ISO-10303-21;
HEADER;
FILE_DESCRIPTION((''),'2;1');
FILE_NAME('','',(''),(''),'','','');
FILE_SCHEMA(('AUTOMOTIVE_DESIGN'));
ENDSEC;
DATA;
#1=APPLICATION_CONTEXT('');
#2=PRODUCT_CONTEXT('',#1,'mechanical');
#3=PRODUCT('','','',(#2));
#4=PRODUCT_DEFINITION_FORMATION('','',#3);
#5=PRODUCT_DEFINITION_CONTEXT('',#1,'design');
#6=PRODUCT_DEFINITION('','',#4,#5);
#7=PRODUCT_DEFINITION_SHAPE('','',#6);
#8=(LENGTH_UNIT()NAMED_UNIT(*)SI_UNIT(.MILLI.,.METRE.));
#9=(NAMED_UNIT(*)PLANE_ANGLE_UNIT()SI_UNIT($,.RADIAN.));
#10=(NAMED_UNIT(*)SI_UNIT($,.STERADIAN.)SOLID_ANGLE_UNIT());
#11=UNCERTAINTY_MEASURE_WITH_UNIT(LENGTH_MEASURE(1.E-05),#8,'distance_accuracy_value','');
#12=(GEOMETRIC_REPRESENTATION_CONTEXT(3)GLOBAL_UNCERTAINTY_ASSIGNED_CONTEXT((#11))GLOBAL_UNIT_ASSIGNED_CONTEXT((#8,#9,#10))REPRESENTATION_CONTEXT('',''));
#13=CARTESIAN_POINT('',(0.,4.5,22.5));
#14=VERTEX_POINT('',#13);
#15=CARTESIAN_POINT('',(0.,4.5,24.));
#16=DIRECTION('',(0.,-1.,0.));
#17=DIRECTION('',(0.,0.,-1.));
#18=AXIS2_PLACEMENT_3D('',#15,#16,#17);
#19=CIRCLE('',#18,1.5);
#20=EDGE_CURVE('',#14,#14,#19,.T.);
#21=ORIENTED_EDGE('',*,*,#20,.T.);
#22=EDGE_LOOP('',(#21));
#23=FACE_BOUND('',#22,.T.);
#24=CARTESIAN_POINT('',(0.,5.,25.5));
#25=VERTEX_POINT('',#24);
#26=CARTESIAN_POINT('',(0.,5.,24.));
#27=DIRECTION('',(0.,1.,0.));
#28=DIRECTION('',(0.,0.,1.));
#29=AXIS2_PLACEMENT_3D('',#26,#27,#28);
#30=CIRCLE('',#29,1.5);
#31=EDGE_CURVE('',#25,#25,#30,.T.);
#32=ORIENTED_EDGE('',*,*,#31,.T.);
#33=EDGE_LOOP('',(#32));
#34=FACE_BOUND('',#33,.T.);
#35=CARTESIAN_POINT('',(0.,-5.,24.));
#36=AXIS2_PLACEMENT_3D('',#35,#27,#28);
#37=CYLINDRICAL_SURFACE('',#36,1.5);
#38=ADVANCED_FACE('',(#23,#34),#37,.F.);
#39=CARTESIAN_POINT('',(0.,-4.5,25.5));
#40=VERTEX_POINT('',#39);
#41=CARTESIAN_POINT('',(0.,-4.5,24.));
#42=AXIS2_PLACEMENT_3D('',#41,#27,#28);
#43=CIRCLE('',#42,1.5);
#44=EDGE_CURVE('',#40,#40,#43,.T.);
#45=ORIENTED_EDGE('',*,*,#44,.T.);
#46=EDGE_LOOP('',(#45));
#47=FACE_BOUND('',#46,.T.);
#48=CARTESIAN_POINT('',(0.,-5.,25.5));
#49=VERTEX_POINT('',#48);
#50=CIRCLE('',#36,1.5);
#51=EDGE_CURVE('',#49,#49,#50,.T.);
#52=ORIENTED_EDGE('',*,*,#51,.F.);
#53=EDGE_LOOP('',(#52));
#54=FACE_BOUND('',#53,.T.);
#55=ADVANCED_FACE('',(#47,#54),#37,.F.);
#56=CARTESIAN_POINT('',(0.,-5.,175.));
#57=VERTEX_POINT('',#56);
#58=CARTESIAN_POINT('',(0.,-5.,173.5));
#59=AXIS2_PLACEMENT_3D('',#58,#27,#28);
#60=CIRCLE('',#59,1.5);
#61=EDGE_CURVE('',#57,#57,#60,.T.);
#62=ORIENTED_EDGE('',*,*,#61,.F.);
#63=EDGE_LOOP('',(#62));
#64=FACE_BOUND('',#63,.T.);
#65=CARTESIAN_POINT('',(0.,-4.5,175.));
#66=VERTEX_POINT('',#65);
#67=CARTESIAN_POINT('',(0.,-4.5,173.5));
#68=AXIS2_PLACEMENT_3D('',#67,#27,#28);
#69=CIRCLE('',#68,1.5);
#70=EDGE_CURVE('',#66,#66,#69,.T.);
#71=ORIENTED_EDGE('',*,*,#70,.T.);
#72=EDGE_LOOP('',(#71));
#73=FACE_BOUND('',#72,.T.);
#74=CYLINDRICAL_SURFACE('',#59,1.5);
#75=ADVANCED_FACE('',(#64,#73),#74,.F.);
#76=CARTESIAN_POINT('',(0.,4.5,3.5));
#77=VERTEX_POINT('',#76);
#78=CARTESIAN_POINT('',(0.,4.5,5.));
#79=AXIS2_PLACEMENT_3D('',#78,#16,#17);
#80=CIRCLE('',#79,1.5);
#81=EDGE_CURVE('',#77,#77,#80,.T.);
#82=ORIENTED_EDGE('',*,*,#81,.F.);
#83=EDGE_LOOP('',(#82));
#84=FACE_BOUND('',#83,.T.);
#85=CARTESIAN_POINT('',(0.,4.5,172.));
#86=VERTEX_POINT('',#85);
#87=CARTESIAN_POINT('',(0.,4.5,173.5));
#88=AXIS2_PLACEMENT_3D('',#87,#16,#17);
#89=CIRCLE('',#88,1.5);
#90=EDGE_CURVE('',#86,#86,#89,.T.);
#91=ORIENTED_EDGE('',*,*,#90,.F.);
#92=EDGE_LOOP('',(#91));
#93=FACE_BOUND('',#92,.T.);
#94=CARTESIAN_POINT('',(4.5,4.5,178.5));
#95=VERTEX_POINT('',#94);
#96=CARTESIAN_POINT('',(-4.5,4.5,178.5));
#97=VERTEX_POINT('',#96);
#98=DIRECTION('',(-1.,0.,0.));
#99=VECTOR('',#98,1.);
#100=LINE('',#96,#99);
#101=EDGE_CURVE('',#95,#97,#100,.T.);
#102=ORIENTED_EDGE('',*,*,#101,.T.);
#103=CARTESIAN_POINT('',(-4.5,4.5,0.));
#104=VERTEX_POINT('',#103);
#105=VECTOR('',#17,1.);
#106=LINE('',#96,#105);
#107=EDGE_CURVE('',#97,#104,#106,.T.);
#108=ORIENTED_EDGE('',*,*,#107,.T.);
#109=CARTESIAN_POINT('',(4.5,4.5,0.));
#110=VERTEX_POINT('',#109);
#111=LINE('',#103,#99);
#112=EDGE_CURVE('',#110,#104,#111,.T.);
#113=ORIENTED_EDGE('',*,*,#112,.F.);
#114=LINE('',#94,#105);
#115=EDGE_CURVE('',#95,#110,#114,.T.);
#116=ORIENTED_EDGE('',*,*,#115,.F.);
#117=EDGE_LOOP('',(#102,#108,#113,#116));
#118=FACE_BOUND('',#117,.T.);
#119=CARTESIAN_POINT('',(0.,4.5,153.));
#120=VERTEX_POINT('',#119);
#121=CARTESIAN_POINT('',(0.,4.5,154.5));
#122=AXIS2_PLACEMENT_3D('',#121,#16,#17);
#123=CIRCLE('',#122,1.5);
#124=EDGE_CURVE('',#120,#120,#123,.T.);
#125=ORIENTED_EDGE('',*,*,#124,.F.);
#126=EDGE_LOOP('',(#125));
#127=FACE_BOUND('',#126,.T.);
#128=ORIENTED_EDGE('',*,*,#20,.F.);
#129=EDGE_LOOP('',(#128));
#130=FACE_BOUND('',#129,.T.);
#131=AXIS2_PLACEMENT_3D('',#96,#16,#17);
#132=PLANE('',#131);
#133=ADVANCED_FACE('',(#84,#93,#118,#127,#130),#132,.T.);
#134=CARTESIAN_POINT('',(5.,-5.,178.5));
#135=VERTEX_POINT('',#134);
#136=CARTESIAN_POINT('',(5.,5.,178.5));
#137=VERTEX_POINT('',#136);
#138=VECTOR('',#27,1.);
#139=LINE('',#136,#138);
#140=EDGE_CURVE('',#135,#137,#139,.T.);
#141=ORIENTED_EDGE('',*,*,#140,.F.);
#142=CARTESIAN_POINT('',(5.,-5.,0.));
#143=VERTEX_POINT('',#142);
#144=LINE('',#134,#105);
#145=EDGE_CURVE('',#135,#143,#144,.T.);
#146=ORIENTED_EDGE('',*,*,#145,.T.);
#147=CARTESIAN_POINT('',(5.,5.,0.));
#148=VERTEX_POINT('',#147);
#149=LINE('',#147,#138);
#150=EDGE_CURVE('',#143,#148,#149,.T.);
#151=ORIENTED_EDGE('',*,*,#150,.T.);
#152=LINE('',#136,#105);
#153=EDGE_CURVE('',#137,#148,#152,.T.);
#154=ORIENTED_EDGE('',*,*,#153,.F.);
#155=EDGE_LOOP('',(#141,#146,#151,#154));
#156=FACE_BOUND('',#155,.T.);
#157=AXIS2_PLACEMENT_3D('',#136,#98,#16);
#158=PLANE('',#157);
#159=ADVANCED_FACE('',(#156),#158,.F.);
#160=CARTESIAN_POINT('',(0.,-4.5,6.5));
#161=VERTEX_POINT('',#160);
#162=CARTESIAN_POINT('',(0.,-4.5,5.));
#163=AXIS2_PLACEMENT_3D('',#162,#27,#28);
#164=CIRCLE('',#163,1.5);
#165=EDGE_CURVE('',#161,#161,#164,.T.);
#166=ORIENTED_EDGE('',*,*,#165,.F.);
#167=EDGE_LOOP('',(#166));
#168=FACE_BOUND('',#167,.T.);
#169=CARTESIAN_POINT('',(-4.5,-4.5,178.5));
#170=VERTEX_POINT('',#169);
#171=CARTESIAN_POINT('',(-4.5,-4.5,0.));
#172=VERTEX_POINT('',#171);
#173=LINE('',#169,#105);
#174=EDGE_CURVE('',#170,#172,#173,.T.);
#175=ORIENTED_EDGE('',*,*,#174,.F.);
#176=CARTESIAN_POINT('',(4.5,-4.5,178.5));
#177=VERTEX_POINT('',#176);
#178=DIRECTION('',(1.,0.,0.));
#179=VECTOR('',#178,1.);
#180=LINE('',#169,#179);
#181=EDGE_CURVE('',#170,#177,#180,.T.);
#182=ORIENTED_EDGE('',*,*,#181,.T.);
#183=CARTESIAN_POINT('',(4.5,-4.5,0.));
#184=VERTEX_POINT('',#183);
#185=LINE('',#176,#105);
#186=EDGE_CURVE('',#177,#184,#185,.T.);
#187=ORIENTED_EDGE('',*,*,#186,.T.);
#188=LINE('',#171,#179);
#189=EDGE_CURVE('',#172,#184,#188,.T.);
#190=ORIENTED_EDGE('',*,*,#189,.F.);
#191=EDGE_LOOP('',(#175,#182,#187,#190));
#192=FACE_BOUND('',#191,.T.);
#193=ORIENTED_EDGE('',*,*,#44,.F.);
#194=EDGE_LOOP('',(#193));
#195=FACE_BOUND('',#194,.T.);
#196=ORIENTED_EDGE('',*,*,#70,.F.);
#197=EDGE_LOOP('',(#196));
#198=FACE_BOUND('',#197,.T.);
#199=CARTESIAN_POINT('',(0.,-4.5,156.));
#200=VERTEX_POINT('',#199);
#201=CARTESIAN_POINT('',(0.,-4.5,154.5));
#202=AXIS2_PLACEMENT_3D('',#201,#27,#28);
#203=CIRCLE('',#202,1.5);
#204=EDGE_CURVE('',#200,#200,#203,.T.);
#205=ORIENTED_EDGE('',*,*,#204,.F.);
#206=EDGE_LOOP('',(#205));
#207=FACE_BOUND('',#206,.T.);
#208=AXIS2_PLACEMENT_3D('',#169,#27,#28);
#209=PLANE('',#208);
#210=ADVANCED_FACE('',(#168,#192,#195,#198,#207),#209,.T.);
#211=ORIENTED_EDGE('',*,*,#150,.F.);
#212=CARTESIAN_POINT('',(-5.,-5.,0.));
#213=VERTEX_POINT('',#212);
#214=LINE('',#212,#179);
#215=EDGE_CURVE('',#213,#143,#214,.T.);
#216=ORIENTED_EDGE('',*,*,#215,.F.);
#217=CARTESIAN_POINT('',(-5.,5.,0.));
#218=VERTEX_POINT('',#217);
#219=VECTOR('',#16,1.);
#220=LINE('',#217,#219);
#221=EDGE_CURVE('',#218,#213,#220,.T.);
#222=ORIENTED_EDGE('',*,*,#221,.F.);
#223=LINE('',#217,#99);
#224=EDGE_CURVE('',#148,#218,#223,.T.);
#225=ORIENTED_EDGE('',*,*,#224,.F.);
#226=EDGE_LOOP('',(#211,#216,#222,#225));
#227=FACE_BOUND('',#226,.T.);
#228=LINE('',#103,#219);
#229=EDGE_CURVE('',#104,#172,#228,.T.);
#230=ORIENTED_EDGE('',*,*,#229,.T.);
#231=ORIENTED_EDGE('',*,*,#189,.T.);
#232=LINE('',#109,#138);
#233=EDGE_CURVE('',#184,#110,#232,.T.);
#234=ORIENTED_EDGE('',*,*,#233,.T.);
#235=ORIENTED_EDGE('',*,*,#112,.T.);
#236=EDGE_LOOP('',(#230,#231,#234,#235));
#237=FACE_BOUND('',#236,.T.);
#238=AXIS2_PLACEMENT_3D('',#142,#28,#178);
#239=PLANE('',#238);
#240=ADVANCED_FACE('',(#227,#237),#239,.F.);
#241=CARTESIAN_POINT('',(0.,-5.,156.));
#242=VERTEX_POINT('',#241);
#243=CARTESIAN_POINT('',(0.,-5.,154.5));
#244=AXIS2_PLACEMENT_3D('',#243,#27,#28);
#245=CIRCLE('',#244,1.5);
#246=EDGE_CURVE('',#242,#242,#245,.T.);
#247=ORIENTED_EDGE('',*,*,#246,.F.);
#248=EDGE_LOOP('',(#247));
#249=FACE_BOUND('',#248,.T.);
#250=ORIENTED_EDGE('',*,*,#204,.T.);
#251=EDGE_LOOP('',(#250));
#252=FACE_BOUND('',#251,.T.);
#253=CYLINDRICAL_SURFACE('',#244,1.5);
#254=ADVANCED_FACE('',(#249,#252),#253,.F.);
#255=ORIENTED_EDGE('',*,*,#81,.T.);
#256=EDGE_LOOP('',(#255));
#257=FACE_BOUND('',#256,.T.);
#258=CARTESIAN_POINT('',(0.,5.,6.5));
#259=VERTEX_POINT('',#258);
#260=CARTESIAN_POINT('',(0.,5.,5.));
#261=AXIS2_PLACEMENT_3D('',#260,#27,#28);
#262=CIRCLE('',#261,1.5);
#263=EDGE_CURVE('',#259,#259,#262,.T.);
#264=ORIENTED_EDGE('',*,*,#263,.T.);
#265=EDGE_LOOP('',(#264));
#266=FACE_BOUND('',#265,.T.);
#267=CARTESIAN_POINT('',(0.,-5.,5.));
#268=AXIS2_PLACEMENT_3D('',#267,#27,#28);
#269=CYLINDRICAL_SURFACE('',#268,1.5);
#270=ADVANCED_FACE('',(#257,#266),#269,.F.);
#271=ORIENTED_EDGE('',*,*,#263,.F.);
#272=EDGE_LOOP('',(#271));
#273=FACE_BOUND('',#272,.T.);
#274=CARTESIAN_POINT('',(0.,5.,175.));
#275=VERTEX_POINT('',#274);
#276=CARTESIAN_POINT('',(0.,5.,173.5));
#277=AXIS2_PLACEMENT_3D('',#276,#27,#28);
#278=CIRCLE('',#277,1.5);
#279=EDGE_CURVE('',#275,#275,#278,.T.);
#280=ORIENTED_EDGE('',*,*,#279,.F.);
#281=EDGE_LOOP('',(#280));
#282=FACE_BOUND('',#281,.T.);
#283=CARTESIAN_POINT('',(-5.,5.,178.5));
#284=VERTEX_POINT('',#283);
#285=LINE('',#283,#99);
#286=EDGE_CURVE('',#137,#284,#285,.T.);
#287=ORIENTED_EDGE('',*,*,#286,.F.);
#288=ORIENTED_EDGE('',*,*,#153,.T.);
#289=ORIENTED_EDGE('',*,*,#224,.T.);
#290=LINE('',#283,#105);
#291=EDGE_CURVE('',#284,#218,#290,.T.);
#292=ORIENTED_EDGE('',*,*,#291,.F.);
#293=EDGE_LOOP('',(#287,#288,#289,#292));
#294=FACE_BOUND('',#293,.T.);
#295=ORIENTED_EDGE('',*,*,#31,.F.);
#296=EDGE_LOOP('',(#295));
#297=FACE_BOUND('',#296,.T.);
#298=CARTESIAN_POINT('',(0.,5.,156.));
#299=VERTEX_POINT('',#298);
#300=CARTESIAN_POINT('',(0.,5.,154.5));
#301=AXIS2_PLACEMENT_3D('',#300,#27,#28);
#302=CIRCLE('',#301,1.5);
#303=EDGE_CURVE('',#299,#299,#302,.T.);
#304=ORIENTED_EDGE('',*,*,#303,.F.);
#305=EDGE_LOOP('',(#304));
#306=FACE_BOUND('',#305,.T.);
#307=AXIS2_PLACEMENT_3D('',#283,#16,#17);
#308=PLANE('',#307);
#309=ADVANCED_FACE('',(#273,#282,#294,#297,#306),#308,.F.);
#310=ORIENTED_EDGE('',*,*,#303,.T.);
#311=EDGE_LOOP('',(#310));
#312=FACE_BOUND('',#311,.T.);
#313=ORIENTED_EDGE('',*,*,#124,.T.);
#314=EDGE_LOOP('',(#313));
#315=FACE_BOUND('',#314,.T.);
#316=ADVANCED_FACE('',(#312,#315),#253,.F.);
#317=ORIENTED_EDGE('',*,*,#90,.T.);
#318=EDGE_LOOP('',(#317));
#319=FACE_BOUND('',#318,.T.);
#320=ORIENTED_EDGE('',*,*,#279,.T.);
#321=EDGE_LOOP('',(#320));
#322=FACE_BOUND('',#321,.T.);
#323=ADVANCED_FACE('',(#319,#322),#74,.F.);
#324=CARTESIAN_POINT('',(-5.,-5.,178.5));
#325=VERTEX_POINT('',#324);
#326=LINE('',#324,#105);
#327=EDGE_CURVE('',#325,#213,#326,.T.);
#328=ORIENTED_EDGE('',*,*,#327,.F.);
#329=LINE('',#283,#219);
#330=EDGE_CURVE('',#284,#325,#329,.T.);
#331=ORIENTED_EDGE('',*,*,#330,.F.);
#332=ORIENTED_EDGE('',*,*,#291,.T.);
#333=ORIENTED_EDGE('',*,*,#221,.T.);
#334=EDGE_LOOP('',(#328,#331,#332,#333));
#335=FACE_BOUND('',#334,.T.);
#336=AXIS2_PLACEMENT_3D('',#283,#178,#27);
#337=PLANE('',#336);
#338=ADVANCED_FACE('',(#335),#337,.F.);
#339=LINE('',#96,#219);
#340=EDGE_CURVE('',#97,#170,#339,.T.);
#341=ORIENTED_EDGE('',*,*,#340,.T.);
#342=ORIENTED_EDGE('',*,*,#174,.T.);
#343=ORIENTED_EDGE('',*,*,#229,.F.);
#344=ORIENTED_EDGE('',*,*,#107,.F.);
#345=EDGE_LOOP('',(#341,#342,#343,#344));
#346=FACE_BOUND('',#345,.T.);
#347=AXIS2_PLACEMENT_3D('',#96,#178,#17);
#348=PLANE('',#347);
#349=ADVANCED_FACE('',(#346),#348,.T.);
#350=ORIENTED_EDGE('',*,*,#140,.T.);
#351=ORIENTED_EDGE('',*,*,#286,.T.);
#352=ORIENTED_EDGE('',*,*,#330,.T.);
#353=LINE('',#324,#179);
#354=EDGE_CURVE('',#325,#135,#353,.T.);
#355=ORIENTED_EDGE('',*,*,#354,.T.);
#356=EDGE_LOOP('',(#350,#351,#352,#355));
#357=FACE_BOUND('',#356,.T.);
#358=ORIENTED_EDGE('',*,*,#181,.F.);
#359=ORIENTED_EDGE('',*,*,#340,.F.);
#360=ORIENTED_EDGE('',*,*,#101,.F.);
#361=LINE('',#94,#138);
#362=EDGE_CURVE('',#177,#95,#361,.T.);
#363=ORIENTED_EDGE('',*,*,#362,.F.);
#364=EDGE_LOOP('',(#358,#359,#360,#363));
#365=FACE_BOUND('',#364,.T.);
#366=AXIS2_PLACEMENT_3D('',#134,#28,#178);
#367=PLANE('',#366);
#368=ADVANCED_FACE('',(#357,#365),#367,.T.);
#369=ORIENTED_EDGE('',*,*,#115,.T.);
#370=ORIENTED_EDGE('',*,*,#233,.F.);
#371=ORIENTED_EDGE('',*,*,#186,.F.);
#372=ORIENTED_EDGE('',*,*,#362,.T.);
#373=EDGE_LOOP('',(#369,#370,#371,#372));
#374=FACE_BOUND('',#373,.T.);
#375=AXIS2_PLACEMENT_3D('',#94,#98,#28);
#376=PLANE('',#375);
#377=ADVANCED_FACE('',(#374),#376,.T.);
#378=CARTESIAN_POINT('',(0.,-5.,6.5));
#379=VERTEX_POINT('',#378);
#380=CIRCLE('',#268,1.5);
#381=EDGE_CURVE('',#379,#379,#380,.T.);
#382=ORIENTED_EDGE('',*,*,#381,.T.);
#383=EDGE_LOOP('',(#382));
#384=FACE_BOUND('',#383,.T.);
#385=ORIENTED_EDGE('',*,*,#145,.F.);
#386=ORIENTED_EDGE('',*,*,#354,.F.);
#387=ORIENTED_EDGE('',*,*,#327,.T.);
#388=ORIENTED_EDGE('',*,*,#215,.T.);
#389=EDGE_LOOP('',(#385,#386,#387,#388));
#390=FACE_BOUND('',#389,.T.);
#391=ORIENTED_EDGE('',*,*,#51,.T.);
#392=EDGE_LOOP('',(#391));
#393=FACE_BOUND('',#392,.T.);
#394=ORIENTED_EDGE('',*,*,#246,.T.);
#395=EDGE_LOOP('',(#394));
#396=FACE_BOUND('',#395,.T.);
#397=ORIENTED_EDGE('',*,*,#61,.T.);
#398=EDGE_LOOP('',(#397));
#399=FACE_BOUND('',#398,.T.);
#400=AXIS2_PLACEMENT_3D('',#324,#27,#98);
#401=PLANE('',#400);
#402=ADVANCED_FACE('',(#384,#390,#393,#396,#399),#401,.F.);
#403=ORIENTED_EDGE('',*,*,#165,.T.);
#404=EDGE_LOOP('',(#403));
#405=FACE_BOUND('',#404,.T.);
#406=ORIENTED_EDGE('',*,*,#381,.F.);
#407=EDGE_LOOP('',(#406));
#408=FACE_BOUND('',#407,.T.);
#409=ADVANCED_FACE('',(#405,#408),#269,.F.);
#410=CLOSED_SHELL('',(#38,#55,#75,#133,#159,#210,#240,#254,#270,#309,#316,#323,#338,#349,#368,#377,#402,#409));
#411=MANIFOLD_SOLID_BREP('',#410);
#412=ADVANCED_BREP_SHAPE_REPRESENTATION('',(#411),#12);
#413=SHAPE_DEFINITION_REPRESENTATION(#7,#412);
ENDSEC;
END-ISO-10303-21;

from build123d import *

# Parameters (mm, degrees)
SKETCH_1_W          = 10
SKETCH_1_H          = 10
SKETCH_1_W_2        = 9
SKETCH_1_H_2        = 9
EXTRUDE_1_DEPTH     = 178.5
SKETCH_2_R          = 1.5
CUT_EXTRUDE_1_DEPTH = 179.849797316


with BuildPart() as part:
    # 草圖1 → 填料-伸長1 (new body)
    with BuildSketch(Plane.XY):
        Rectangle(SKETCH_1_W, SKETCH_1_H)
        Rectangle(SKETCH_1_W_2, SKETCH_1_H_2, mode=Mode.SUBTRACT)
    extrude(amount=EXTRUDE_1_DEPTH)

    # 草圖2 → 除料-伸長1 (cut, through all)
    with BuildSketch(Plane(origin=(0, 5, 0), x_dir=(1, 0, 0), z_dir=(0, 1, 0))):
        with Locations(Location((0, -5, 0), (0, 0, 270))):
            Circle(SKETCH_2_R)
        with Locations(Location((0, -24, 0), (0, 0, 270))):
            Circle(SKETCH_2_R)
        with Locations(Location((0, -154.5, 0), (0, 0, 270))):
            Circle(SKETCH_2_R)
        with Locations(Location((0, -173.5, 0), (0, 0, 270))):
            Circle(SKETCH_2_R)
    extrude(amount=-CUT_EXTRUDE_1_DEPTH, mode=Mode.SUBTRACT)


solid = part.part
